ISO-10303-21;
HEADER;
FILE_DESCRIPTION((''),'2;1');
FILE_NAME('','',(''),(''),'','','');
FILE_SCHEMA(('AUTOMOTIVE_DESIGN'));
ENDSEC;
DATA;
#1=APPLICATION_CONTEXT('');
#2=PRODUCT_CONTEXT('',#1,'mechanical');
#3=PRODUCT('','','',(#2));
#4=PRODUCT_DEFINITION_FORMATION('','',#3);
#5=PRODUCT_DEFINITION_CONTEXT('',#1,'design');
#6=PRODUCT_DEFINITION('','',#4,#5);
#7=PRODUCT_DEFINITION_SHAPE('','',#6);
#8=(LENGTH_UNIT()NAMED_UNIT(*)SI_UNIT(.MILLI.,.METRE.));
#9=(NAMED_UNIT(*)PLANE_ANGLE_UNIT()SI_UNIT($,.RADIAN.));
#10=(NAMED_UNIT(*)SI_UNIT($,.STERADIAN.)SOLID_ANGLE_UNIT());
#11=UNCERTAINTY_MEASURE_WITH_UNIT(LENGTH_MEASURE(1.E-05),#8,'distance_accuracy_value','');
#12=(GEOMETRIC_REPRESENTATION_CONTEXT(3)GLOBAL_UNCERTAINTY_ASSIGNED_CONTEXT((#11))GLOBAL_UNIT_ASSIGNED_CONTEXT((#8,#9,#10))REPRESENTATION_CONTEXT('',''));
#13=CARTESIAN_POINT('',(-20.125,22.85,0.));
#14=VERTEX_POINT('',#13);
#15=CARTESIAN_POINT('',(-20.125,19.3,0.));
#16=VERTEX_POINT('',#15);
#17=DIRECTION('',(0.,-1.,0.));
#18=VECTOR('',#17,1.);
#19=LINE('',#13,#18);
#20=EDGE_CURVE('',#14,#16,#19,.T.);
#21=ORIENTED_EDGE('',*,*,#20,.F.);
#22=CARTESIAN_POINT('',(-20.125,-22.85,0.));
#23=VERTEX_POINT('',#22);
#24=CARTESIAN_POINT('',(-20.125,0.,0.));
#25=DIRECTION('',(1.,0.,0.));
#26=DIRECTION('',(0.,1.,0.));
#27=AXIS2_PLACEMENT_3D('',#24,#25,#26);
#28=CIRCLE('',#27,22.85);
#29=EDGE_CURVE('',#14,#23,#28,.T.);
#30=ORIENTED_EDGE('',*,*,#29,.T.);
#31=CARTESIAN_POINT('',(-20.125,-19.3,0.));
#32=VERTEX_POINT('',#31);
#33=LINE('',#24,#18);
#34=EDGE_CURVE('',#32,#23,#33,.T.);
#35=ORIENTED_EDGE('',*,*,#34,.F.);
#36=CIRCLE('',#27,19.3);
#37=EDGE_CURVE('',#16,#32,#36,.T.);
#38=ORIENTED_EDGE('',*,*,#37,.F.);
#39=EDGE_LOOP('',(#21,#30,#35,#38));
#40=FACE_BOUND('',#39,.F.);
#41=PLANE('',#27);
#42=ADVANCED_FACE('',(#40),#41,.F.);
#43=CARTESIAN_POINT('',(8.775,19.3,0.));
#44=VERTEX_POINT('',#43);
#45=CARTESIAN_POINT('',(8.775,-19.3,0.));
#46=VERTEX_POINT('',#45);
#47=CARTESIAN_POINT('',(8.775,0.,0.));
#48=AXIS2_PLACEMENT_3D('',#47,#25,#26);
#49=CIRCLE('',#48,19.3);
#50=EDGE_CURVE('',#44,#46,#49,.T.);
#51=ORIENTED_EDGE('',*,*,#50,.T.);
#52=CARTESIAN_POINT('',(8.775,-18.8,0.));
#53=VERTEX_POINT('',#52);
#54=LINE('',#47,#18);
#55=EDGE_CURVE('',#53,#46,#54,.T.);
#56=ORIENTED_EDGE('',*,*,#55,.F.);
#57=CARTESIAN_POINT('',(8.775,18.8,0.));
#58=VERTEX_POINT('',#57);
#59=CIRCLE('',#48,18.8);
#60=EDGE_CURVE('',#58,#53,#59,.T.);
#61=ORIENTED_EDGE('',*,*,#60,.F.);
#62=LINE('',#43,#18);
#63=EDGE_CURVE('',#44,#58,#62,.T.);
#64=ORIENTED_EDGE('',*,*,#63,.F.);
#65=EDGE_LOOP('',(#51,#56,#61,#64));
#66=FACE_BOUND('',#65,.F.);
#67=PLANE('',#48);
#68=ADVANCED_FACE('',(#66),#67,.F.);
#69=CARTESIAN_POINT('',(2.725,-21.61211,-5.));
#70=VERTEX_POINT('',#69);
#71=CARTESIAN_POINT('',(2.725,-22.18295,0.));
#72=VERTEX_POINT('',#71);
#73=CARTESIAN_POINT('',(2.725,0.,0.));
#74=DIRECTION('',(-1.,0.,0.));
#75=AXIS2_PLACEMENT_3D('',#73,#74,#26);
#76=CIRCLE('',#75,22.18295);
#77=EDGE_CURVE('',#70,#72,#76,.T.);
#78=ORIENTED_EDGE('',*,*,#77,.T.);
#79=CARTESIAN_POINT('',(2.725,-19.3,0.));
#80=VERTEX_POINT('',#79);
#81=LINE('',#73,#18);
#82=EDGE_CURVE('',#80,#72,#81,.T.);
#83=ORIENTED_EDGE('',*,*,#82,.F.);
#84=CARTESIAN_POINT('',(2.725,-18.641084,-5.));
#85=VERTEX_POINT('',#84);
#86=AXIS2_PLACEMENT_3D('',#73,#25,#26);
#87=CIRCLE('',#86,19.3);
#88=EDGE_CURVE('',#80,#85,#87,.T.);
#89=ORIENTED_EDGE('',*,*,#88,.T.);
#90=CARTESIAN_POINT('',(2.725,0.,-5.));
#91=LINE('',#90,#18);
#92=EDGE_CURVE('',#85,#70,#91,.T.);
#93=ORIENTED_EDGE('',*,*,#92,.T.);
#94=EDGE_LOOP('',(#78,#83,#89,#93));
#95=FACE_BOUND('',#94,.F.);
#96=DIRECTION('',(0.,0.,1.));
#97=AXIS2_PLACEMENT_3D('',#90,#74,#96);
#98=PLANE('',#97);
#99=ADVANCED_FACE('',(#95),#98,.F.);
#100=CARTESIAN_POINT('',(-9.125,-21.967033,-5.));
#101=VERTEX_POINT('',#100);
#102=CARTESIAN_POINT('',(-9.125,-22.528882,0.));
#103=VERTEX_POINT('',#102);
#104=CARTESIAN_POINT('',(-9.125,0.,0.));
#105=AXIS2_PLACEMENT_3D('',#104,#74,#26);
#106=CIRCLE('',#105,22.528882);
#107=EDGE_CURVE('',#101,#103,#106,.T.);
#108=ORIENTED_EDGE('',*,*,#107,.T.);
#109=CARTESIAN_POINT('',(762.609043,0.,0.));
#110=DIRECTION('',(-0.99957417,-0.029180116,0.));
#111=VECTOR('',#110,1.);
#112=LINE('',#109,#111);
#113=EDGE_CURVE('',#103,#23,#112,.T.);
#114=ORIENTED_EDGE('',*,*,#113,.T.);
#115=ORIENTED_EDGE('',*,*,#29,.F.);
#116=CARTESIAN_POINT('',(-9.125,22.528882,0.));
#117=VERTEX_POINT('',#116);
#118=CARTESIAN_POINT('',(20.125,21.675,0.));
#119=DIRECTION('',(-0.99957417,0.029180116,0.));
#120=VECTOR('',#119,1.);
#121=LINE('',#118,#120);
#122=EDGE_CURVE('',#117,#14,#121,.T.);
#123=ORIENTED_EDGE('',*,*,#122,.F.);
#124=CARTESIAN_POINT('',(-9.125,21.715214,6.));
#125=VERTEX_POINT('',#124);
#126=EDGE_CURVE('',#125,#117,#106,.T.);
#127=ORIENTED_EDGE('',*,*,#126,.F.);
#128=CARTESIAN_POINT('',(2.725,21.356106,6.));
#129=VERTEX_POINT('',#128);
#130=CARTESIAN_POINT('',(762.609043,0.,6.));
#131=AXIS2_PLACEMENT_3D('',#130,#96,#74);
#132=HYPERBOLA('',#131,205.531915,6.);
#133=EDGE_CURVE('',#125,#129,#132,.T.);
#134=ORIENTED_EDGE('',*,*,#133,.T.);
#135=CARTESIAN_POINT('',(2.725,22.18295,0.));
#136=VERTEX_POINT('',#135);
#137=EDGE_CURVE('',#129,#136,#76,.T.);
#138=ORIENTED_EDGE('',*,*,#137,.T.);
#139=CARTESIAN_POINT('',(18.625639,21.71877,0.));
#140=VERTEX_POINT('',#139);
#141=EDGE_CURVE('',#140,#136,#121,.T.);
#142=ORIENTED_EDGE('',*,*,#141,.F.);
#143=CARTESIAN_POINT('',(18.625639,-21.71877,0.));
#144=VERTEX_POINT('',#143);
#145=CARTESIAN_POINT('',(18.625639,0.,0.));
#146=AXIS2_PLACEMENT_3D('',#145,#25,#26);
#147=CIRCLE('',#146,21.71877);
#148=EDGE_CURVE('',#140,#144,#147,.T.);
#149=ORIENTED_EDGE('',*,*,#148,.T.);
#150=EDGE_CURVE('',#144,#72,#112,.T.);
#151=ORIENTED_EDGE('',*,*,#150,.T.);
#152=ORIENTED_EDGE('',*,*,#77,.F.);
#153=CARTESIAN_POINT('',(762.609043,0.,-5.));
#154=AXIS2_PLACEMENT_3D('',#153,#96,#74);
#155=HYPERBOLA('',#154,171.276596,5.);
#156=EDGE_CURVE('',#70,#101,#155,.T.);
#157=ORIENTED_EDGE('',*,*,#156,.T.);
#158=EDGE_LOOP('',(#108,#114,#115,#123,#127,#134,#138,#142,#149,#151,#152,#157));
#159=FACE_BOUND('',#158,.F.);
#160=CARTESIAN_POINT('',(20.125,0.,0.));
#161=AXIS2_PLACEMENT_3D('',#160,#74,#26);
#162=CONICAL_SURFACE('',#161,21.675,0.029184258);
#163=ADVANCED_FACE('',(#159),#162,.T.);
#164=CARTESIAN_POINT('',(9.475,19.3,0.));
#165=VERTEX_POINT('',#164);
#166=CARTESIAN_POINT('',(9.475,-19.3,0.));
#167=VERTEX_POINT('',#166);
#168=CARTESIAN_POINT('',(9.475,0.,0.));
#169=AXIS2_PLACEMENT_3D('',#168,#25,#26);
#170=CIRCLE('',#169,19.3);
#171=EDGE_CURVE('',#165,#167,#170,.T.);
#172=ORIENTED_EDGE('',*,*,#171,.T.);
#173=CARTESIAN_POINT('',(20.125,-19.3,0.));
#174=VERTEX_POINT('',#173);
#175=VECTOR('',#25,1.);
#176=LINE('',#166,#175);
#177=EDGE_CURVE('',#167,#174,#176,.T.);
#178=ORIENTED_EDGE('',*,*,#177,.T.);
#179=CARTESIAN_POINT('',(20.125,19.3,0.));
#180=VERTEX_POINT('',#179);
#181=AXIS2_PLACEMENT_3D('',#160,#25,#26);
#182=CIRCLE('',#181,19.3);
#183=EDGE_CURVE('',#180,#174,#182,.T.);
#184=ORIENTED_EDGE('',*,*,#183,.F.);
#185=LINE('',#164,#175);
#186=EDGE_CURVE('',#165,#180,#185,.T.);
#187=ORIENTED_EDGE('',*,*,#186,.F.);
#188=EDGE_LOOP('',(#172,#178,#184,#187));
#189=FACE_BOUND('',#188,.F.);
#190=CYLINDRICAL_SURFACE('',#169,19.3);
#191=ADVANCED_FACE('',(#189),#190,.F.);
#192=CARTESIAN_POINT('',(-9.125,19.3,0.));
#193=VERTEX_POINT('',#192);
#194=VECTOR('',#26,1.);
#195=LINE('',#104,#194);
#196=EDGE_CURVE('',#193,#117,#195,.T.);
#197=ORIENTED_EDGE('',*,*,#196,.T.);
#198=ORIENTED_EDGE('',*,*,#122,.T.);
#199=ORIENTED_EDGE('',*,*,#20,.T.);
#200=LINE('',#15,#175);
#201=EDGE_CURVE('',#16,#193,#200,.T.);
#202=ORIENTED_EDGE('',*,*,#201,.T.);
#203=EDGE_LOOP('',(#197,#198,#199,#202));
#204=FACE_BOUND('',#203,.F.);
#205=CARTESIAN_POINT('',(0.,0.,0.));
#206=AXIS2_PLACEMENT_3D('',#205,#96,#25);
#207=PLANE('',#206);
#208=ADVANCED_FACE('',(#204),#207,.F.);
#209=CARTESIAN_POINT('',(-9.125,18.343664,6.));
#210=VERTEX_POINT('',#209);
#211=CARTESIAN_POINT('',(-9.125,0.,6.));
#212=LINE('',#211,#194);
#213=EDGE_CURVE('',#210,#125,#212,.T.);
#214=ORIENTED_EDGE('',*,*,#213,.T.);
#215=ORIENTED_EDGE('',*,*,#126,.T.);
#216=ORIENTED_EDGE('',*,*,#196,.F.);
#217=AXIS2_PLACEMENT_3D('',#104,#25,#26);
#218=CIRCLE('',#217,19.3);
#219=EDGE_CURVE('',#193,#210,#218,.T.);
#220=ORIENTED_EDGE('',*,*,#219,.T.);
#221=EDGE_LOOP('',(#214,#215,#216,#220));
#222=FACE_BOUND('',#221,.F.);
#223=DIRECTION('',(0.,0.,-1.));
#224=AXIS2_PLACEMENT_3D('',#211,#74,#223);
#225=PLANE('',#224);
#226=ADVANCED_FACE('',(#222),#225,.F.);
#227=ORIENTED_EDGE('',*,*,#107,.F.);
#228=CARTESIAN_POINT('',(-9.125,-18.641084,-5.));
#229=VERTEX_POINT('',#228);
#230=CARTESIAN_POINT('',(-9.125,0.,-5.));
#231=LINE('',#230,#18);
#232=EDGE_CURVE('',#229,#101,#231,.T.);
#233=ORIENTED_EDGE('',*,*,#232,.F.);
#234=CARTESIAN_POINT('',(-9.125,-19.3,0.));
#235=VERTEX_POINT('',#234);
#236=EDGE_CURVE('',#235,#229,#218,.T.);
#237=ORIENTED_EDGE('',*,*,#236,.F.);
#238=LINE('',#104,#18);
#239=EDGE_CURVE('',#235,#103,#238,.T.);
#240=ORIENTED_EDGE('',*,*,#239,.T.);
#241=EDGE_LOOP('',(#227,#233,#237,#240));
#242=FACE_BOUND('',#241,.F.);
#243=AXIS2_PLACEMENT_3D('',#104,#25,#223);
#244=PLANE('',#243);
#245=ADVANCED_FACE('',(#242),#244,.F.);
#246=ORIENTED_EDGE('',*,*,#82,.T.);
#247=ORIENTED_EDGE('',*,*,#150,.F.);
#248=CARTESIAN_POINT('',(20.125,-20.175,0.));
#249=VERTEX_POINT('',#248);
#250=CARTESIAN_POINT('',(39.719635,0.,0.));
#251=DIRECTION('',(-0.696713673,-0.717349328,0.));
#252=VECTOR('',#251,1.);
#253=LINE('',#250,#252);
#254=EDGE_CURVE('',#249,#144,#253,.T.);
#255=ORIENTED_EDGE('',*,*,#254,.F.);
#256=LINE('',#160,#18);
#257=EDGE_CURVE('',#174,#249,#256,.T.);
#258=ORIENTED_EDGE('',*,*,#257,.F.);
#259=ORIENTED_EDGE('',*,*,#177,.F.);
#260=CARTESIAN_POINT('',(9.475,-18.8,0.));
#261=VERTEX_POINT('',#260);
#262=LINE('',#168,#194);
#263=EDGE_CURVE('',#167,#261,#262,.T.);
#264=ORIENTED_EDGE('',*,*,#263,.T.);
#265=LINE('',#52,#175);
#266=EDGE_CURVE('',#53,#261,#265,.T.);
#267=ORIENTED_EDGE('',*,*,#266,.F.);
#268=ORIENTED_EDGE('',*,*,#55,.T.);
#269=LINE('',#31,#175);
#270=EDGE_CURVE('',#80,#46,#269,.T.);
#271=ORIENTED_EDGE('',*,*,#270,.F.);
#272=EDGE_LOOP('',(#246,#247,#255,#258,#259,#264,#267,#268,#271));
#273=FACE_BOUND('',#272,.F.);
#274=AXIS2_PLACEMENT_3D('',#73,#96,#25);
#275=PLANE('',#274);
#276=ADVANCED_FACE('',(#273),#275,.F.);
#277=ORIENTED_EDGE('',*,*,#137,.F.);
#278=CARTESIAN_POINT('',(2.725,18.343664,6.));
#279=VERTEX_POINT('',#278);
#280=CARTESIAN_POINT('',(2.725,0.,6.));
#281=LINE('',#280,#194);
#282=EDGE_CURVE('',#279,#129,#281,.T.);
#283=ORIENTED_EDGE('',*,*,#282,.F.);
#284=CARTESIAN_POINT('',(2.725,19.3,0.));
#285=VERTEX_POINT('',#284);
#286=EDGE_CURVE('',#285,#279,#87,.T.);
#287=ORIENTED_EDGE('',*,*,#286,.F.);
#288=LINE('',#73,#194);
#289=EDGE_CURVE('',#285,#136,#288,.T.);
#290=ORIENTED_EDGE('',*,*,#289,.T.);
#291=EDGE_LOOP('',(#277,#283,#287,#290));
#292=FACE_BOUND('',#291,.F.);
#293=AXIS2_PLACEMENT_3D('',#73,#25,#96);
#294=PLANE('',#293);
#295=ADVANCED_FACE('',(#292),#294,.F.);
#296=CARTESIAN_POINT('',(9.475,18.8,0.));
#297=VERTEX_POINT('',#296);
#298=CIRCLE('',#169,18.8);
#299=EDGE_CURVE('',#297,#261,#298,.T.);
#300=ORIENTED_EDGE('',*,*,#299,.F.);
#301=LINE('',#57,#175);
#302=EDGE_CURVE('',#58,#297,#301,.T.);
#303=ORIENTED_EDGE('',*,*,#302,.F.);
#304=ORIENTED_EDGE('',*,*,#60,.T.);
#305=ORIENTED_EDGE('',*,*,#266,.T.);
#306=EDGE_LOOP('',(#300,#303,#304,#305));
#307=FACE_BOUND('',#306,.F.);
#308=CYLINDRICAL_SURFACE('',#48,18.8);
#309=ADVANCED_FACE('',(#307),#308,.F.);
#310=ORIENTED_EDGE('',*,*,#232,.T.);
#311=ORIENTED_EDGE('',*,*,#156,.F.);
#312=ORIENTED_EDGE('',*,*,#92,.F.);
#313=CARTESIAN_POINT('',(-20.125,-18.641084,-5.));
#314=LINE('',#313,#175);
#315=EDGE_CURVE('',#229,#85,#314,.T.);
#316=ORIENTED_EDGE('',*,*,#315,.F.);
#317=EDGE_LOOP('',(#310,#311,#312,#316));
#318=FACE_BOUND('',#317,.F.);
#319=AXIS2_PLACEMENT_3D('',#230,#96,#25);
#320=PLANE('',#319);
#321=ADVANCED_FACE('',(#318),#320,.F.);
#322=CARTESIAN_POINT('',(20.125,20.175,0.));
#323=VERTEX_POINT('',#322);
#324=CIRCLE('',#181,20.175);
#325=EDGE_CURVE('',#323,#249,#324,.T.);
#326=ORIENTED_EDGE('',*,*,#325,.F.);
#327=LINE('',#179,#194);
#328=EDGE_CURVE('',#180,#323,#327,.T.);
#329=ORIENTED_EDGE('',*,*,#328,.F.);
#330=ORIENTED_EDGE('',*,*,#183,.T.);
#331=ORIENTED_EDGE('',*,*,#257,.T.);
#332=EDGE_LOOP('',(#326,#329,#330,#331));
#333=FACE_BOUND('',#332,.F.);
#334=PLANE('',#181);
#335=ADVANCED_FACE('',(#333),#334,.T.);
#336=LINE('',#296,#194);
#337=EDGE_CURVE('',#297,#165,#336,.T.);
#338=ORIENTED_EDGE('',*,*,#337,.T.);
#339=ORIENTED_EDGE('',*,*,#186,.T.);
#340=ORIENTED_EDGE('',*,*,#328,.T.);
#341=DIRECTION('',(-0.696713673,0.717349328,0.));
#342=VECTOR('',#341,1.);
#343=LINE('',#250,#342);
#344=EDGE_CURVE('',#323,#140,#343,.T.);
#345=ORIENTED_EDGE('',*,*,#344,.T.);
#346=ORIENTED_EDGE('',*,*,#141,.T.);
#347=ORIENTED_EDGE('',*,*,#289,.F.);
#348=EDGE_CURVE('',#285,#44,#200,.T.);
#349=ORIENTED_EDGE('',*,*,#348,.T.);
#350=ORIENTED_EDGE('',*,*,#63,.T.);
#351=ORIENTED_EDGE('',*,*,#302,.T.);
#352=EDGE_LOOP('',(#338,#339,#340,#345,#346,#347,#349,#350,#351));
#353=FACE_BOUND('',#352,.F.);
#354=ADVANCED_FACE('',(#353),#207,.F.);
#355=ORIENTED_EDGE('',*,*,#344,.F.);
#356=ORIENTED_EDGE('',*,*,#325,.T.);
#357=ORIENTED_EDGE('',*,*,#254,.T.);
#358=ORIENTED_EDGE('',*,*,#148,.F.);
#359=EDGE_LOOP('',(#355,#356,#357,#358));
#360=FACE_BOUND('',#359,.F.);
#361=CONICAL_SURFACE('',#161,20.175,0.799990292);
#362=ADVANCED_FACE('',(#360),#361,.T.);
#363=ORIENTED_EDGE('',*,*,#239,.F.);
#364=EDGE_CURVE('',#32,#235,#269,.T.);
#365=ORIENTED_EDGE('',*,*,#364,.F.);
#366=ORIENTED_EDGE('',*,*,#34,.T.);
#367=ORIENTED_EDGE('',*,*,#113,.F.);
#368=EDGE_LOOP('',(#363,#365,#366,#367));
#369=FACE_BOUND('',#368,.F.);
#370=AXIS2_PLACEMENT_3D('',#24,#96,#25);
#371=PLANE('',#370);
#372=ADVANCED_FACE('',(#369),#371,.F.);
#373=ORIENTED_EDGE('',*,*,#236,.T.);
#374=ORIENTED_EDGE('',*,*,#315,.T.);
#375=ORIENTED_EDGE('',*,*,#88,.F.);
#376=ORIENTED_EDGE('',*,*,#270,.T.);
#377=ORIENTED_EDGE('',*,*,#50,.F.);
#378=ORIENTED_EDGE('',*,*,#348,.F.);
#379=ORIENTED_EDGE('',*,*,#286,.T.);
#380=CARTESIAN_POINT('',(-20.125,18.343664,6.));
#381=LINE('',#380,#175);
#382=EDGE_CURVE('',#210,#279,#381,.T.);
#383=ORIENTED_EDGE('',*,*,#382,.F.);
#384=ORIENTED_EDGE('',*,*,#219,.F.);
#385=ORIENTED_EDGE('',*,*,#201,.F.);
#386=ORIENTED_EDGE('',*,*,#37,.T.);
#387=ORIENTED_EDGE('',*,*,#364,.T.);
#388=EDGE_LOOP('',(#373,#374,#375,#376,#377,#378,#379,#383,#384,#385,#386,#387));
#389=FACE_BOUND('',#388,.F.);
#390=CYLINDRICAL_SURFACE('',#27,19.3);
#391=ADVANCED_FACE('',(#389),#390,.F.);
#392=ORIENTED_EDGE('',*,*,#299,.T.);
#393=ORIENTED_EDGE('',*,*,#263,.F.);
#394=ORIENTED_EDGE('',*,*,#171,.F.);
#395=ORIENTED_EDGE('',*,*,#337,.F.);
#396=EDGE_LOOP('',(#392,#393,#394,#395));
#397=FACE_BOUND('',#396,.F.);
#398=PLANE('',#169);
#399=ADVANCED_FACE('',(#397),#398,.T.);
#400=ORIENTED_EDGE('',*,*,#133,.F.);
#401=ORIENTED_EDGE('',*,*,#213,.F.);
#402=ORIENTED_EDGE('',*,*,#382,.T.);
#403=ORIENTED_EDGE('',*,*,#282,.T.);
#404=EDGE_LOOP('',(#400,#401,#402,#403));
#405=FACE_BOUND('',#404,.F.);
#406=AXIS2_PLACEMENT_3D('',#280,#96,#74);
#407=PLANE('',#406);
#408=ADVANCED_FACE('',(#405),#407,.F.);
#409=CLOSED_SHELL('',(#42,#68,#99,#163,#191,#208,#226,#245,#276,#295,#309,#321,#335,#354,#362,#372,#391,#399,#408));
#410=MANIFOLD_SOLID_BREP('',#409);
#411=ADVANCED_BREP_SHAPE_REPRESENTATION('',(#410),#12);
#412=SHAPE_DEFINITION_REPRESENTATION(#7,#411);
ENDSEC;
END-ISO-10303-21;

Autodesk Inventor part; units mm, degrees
ref_plane "YZ Plane" through (0, 0, 0) normal (1, 0, 0) x (0, 1, 0)
ref_plane "XZ Plane" through (0, 0, 0) normal (0, 1, 0) x (-1, 0, 0)
ref_plane "XY Plane" through (0, 0, 0) normal (0, 0, 1) x (1, 0, 0)
sketch "Sketch2" plane through (0, 0, 0) normal (0, 0, 1) x (1, 0, 0)
  line L0 (-31.2032, 0) -> (39.8239, 0) construction
  line L1 (20.125, 19.3) -> (20.125, 21.675)
  line L2 (20.125, 21.675) -> (-20.125, 22.85)
  line L3 (-20.125, 22.85) -> (-20.125, 19.3)
  line L4 (0, 19.3) -> (0, 0) construction
  line L5 (8.775, 19.3) -> (8.775, 18.8)
  line L6 (8.775, 18.8) -> (9.475, 18.8)
  line L7 (9.475, 18.8) -> (9.475, 19.3)
  line L8 (-20.125, 19.3) -> (8.775, 19.3)
  line L9 (9.475, 19.3) -> (20.125, 19.3)
  line L10 (0, 22.2625) -> (0, 19.3) construction
  dimension "d2" = 40.25
  dimension "d34" = 0.5
  dimension "d36" = 0.7
  dimension "d41" = 19.3
  dimension "d45" = 11.35
  dimension "d46" = 22.85
  dimension "d47" = 21.675
revolve "Revolution1" add sketch "Sketch2" angle 270 about axis through (-31.2032, 0, 0) along (1, 0, 0)
sketch "Sketch3" plane through (0, 0, 0) normal (0, 1, 0) x (-1, 0, 0)
  line L0 (20.125, 0) -> (20.125, -22.85)
  line L1 (20.125, -22.85) -> (20.125, -22.85)
  line L2 (20.125, -22.85) -> (20.125, 0)
  line L3 (20.125, 0) -> (20.125, 0)
  line L4 (-20.125, -19.3) -> (-20.125, -21.675) projected
  line L5 (-20.125, -21.675) -> (-20.125, 0)
  line L6 (-2.725, -5) -> (-2.725, 0)
  line L7 (9.125, -5) -> (-2.725, -5)
  line L8 (-20.125, -21.675) -> (20.125, -22.85) projected
  line L9 (20.125, -22.85) -> (-20.125, -21.675)
  line L10 (-2.725, 0) -> (-20.125, 0)
  line L11 (20.125, 0) -> (9.125, 0)
  line L12 (9.125, 0) -> (9.125, -5)
  dimension "d21" = 11
  dimension "d23" = 5
  dimension "d43" = 11.85
extrude "Extrusion1" cut sketch "Sketch3" against normal blind 200
sketch "Sketch4" plane through (0, 0, 0) normal (0, 1, 0) x (-1, 0, 0)
  line L0 (-20.125, 0) -> (20.125, 0) projected
  line L1 (9.125, 0) -> (-2.725, 0)
  line L2 (-2.725, 0) -> (-2.725, 6)
  line L3 (-2.725, 6) -> (9.125, 6)
  line L4 (9.125, 6) -> (9.125, 0)
  line L5 (20.125, 22.85) -> (20.125, 0) projected
  line L6 (-20.125, 21.675) -> (-20.125, 0) projected
  point P0 (-2.725, 0)
  dimension "d24" = 6
  dimension "d25" = 11
  dimension "d44" = 11.85
extrude "Extrusion2" cut sketch "Sketch4" along normal blind 200
chamfer "Chamfer1" distance 1.5 angle 45 1 edges at (20.125, 0, 21.675)
properties part number "PLASTIC_PART"
